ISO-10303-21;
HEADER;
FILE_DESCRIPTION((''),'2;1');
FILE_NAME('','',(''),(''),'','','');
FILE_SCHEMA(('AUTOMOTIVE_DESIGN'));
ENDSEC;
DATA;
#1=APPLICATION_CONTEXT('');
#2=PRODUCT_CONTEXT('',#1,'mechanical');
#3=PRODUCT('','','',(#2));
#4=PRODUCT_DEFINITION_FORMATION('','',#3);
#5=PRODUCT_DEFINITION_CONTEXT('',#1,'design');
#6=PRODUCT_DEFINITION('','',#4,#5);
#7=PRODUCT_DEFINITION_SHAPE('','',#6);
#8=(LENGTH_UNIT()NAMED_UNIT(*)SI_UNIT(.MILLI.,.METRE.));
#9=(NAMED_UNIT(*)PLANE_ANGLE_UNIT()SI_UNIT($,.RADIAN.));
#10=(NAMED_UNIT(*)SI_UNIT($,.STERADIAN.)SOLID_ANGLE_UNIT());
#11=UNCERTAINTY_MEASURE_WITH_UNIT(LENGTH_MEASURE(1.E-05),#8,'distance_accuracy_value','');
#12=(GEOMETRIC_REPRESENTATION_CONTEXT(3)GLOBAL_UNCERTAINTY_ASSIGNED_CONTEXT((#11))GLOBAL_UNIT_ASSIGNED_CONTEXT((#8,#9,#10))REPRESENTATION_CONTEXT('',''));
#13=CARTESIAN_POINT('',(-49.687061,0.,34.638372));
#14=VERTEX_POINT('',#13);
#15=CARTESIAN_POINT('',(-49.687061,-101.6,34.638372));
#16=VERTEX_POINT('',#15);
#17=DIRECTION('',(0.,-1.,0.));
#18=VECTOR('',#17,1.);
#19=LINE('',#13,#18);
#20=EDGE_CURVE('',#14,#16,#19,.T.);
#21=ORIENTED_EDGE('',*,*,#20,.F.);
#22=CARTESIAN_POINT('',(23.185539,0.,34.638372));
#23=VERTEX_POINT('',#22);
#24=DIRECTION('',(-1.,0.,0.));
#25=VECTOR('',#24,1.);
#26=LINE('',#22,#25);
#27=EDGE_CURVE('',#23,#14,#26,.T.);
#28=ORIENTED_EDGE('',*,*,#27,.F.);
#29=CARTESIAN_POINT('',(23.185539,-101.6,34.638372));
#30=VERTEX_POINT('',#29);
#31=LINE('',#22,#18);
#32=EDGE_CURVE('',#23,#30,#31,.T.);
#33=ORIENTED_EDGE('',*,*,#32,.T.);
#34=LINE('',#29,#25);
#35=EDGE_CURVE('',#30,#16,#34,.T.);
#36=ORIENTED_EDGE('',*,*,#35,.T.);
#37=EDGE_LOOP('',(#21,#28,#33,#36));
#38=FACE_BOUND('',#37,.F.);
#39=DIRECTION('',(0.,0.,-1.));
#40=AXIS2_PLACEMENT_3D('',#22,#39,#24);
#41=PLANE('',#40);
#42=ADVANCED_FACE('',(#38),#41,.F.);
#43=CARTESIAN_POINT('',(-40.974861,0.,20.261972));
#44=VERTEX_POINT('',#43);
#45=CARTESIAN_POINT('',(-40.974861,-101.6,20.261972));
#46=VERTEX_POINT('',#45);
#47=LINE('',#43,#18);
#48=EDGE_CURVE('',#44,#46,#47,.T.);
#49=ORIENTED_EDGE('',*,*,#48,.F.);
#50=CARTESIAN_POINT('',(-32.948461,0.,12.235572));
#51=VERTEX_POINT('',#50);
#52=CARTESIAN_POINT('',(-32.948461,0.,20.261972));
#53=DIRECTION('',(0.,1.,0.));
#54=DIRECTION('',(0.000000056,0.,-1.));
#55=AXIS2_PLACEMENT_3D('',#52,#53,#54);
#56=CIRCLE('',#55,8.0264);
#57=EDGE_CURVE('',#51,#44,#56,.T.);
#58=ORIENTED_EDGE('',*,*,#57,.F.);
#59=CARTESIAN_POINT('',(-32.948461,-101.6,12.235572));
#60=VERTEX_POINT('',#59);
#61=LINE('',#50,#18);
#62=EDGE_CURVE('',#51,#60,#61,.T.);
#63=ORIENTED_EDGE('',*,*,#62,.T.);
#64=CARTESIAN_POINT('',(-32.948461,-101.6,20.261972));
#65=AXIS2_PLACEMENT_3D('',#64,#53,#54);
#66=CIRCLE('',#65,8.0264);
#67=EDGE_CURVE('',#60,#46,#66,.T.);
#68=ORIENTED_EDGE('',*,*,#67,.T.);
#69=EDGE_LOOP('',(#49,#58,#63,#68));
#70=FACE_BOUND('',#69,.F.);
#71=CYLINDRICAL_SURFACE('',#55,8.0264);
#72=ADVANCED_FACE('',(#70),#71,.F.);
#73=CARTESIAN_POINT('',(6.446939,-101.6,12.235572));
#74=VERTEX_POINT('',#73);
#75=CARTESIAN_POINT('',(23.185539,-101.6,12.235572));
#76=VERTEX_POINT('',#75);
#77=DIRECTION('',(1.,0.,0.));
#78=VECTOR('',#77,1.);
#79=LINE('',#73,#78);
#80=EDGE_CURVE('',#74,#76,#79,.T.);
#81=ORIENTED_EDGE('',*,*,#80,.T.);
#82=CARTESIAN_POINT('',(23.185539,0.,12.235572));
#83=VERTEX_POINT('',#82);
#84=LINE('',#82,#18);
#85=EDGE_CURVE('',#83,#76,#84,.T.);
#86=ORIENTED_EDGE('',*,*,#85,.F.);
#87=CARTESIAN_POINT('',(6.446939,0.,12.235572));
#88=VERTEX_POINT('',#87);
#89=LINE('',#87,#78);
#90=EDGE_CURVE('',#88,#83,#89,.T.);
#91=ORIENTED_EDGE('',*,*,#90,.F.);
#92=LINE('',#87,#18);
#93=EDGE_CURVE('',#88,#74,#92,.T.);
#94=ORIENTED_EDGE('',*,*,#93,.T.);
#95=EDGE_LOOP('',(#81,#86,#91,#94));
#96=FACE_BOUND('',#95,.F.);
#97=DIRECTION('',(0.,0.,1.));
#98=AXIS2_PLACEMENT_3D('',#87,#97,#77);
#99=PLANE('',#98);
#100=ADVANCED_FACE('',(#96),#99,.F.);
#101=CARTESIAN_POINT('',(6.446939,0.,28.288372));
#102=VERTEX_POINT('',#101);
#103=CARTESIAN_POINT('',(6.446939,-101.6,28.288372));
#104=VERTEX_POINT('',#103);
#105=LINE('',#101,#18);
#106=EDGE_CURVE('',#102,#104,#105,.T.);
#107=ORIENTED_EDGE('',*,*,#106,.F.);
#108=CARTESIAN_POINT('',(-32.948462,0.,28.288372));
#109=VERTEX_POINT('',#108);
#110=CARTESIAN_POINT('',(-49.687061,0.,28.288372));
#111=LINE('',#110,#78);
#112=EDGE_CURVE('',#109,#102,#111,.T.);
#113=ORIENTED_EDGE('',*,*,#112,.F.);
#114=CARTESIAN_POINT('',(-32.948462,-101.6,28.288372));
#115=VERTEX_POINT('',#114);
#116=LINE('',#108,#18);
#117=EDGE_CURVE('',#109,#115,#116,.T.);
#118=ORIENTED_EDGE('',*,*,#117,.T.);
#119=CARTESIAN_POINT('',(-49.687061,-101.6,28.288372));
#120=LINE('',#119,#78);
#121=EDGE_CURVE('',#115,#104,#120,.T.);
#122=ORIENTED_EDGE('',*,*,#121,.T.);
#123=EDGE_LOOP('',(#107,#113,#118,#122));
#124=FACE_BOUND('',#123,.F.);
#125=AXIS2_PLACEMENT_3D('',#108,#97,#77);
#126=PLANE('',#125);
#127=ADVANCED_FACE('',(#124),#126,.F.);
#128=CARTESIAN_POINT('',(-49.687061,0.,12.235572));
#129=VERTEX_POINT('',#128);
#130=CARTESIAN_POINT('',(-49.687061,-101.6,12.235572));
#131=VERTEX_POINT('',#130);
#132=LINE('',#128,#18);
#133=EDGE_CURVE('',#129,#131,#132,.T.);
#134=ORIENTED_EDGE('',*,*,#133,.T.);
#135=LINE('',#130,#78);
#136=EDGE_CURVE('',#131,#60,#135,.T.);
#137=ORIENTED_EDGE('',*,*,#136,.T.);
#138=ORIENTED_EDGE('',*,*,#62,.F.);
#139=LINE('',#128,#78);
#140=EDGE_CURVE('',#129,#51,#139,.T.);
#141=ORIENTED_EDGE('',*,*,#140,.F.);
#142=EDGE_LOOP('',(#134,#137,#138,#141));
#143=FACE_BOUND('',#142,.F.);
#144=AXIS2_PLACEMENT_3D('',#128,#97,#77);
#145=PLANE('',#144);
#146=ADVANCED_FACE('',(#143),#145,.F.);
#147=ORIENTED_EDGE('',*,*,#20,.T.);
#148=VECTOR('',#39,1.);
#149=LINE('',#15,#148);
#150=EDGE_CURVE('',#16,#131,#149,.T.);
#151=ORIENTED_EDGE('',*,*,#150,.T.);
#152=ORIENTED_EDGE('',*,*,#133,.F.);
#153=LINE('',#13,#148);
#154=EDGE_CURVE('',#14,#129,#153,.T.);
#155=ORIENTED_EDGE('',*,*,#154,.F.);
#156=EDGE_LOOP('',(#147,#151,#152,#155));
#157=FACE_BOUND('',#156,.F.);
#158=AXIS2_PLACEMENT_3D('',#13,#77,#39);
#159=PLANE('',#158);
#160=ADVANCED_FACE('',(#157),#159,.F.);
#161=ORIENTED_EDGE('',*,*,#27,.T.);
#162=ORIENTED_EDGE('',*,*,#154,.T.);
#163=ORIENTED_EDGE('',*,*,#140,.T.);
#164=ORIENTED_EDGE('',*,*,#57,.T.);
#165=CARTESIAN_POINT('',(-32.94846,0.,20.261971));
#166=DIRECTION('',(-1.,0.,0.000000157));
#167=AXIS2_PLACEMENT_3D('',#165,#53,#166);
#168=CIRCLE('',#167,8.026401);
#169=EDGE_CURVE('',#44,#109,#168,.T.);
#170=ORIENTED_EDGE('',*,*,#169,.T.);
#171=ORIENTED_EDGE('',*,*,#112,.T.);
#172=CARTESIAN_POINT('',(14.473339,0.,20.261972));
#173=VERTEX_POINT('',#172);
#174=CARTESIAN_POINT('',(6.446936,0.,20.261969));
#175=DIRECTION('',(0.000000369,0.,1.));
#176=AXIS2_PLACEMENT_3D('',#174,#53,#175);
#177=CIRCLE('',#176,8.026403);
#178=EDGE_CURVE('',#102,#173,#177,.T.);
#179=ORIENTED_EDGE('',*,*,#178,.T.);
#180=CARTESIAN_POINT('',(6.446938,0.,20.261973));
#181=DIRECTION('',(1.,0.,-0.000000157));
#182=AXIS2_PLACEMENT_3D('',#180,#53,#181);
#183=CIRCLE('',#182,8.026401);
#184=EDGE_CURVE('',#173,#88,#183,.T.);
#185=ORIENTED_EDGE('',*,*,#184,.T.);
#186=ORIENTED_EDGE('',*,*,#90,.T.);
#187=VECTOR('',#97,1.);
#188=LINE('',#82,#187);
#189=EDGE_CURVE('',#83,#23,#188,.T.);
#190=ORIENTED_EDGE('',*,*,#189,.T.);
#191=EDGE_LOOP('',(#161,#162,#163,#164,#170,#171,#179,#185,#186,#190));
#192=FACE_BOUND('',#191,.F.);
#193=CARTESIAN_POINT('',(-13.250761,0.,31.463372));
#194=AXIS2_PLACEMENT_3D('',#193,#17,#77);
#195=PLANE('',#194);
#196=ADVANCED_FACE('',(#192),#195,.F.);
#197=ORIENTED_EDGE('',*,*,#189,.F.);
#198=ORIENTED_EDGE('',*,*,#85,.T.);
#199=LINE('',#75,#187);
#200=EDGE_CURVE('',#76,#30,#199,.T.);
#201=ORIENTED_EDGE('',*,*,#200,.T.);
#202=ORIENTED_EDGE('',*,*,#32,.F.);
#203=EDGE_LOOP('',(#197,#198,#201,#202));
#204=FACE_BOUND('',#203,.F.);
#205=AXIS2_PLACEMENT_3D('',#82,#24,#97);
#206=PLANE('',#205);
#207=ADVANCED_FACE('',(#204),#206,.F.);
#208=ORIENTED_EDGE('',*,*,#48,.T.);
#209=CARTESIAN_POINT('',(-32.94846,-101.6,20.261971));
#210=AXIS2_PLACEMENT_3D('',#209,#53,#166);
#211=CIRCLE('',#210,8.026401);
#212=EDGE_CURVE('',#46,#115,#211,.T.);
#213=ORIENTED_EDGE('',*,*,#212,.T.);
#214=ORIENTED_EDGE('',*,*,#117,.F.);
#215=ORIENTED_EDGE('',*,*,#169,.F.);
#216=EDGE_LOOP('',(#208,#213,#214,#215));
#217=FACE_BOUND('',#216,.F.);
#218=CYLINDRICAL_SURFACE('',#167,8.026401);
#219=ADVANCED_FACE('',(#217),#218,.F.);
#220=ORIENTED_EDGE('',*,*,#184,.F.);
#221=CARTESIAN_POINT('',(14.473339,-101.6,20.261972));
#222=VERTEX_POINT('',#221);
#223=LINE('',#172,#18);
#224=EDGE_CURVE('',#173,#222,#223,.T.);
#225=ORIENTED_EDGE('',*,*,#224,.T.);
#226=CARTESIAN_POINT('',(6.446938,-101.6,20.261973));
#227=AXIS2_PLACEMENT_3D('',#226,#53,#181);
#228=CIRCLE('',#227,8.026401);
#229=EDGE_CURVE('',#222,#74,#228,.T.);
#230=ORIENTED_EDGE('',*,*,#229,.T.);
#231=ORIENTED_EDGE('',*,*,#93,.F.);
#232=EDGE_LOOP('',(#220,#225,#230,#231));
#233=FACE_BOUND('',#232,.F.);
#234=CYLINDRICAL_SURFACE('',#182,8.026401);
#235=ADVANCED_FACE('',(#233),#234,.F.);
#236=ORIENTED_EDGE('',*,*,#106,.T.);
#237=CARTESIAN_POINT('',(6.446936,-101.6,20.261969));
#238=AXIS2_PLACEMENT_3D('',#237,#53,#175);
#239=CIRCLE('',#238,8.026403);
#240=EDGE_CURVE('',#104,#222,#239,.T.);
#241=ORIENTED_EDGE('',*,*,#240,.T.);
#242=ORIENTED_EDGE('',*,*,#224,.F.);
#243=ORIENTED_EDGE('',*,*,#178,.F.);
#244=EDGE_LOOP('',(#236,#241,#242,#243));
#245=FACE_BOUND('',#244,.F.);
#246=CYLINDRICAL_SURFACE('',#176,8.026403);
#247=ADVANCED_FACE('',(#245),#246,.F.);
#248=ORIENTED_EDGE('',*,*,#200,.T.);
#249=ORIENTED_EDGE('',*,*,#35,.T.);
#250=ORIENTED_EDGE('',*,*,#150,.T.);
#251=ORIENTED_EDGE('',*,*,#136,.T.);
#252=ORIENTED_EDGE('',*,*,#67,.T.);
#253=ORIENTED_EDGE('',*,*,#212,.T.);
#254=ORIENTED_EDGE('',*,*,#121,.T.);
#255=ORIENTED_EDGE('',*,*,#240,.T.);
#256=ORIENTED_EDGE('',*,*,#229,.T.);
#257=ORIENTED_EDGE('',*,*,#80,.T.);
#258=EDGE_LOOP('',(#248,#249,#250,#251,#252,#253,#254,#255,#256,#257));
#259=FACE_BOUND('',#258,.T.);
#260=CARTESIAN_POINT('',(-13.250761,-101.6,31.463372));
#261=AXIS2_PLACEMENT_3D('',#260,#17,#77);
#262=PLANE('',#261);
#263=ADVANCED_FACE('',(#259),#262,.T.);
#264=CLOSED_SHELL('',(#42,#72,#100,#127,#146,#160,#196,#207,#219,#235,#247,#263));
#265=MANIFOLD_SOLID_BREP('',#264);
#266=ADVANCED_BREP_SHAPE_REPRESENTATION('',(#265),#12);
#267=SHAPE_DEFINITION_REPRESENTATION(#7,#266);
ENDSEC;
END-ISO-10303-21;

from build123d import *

# Parameters (mm, degrees)
F1_DEPTH = 101.6


with BuildPart() as f1:
    # F0 (on Front) → F1 (new body)
    with BuildSketch(Plane.XZ):
        Polygon((23.185539, 34.638372), (-49.687061, 34.638372), (-49.687061, 28.288372), (-32.948462, 28.288372), (-23.702861, 28.288372), (-2.798661, 28.288372), (6.446939, 28.288372), (23.185539, 28.288372), align=None)
        with BuildLine():
            Line((-32.948462, 28.288372), (-49.687061, 28.288372))
            Line((-49.687061, 28.288372), (-49.687061, 20.261972))
            Line((-49.687061, 20.261972), (-40.974861, 20.261972))
            ThreePointArc((-40.974861, 20.261972), (-38.623983, 25.937493), (-32.948462, 28.288372))
        make_face()
        with BuildLine():
            Line((-40.974861, 20.261972), (-49.687061, 20.261972))
            Line((-49.687061, 20.261972), (-49.687061, 12.235572))
            Line((-49.687061, 12.235572), (-32.948461, 12.235572))
            ThreePointArc((-32.948461, 12.235572), (-38.623983, 14.58645), (-40.974861, 20.261972))
        make_face()
        with BuildLine():
            Line((23.185539, 20.261972), (23.185539, 28.288372))
            Line((23.185539, 28.288372), (6.446939, 28.288372))
            ThreePointArc((6.446939, 28.288372), (12.12246, 25.937493), (14.473339, 20.261972))
            Line((14.473339, 20.261972), (23.185539, 20.261972))
        make_face()
        with BuildLine():
            Line((23.185539, 12.235572), (23.185539, 20.261972))
            Line((23.185539, 20.261972), (14.473339, 20.261972))
            ThreePointArc((14.473339, 20.261972), (12.12246, 14.58645), (6.446939, 12.235572))
            Line((6.446939, 12.235572), (23.185539, 12.235572))
        make_face()
    extrude(amount=F1_DEPTH)


solid = f1.part
